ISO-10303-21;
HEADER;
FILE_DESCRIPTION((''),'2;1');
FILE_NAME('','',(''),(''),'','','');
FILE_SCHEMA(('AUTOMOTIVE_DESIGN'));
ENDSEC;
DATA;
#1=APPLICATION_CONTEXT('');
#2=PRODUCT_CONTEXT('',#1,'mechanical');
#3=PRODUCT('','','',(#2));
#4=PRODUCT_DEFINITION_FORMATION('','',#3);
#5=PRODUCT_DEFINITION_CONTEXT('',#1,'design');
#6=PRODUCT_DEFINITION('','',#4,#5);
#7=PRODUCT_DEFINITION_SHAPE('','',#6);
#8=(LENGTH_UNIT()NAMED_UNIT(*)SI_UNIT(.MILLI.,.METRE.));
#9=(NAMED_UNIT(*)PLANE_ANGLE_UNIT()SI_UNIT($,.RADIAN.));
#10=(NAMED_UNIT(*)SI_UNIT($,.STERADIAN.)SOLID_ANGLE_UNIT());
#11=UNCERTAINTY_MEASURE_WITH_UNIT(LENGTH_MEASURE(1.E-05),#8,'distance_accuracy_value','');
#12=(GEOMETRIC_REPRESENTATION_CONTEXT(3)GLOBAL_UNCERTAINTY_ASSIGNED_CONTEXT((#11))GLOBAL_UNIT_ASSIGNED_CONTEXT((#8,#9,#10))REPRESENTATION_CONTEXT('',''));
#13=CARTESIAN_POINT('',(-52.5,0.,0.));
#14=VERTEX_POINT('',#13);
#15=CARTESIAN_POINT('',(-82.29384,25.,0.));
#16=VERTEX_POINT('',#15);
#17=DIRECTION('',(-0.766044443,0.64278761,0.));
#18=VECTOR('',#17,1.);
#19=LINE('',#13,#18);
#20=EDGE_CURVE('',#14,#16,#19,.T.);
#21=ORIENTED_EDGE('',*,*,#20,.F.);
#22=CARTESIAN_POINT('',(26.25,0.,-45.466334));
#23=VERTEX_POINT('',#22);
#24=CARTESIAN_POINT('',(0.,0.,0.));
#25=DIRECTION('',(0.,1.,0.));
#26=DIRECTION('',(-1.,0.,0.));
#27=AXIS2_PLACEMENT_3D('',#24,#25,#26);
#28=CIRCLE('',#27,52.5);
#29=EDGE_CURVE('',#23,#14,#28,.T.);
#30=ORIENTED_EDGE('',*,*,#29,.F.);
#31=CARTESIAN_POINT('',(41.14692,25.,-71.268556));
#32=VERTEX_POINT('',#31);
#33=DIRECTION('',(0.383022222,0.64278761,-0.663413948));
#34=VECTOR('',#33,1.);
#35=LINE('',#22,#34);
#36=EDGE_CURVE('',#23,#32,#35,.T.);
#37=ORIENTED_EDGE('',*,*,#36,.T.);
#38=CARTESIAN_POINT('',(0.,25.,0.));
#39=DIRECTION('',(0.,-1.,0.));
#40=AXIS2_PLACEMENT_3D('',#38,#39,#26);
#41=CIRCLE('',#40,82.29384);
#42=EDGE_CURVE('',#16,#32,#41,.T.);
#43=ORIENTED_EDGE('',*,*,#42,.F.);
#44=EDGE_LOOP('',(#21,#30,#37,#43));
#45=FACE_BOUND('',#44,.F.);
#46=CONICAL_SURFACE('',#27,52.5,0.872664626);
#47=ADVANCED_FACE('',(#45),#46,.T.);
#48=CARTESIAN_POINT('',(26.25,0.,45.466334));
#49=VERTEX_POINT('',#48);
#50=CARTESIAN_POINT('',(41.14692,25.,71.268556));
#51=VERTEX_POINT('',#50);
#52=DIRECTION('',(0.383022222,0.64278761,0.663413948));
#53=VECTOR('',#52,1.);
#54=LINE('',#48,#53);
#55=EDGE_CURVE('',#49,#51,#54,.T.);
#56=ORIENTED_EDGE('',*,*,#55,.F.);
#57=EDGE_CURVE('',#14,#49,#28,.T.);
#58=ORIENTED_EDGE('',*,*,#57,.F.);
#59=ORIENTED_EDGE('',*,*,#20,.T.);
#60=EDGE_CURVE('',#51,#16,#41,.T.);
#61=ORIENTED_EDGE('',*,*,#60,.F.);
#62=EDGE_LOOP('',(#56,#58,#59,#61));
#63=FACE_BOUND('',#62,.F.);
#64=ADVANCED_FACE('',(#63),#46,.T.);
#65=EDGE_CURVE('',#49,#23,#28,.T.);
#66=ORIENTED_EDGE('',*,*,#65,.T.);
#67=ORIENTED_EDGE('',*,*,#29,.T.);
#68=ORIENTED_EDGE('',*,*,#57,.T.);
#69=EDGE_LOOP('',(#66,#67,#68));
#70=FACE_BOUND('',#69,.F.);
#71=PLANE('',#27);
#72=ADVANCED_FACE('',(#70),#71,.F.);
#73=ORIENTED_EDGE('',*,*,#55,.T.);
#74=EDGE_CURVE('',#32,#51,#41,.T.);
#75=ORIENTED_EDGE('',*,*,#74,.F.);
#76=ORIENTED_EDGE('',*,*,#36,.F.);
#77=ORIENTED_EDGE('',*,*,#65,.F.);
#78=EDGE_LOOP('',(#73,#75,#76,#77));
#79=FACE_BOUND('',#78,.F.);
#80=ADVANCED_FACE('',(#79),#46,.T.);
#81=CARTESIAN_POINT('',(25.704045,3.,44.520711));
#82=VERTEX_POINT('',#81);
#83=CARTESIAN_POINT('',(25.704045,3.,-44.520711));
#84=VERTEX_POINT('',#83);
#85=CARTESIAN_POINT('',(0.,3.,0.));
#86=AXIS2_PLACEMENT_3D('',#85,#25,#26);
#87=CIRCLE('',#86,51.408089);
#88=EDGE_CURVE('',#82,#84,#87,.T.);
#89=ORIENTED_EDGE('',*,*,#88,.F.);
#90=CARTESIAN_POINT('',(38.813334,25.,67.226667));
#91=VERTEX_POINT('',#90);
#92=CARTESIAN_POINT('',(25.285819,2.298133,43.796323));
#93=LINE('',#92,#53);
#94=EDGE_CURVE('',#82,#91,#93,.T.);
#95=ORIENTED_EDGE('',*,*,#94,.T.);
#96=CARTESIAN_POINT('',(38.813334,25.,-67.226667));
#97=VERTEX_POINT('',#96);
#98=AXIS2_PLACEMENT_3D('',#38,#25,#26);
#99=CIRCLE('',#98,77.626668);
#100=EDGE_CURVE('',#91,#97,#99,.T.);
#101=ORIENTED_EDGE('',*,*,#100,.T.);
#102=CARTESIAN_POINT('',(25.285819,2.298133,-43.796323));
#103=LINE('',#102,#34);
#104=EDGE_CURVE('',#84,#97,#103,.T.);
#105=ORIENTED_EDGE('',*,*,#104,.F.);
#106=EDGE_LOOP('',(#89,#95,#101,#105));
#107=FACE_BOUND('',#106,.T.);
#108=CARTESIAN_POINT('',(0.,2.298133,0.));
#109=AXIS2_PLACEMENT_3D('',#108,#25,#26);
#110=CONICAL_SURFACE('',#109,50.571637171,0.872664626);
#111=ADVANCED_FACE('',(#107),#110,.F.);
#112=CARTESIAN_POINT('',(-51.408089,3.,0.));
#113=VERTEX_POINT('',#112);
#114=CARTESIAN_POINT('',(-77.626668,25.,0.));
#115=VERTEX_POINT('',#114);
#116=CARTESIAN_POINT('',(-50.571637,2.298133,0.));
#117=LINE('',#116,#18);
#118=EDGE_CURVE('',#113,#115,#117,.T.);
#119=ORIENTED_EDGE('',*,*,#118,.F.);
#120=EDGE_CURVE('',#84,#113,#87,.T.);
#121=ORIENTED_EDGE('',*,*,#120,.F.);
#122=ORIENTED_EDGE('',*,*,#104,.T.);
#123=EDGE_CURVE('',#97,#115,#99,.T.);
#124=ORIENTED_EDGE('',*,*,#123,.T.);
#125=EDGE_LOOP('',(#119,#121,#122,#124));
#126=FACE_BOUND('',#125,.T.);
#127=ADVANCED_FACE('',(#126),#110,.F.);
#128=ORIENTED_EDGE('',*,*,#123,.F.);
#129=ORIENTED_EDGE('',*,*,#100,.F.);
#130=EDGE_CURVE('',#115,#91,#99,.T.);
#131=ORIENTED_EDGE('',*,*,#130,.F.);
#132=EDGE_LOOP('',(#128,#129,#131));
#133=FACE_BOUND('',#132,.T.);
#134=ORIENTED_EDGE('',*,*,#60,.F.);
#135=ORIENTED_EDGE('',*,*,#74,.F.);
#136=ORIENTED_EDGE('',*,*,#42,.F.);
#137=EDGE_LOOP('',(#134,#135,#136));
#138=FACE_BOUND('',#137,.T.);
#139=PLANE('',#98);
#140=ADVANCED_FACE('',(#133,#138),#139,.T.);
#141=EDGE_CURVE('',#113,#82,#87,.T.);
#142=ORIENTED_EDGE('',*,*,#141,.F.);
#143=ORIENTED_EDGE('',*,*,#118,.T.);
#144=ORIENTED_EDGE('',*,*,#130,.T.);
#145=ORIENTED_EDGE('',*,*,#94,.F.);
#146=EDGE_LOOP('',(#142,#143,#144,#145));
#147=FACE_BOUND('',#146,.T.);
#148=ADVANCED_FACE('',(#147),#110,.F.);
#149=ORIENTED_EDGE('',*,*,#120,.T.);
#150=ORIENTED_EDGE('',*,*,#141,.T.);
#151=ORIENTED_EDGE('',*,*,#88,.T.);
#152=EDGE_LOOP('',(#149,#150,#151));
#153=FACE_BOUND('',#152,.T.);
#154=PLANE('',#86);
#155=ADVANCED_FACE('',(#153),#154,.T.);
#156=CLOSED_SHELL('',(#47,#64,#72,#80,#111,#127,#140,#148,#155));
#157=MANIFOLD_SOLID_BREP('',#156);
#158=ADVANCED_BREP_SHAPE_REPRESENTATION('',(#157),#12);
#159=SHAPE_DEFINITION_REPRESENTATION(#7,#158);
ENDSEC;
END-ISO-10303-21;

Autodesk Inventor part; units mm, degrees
ref_plane "YZ Plane" through (0, 0, 0) normal (1, 0, 0) x (0, 1, 0)
ref_plane "XZ Plane" through (0, 0, 0) normal (0, 1, 0) x (-1, 0, 0)
ref_plane "XY Plane" through (0, 0, 0) normal (0, 0, 1) x (1, 0, 0)
sketch "Boceto1" plane through (0, 0, 0) normal (0, 1, 0) x (-1, 0, 0)
  circle A0 centre (0, 0) radius 80
  circle A1 centre (0, 0) radius 52.5
  dimension "d0" = 160
  dimension "d4" = 105
extrude "Extrusión1" add sketch "Boceto1" along normal blind 25 draft 50 contours A1
shell "Vaciado1" thickness 3 removed faces 1 at (12.2178, 25, 3.7687)
properties part number "Cuenco"
